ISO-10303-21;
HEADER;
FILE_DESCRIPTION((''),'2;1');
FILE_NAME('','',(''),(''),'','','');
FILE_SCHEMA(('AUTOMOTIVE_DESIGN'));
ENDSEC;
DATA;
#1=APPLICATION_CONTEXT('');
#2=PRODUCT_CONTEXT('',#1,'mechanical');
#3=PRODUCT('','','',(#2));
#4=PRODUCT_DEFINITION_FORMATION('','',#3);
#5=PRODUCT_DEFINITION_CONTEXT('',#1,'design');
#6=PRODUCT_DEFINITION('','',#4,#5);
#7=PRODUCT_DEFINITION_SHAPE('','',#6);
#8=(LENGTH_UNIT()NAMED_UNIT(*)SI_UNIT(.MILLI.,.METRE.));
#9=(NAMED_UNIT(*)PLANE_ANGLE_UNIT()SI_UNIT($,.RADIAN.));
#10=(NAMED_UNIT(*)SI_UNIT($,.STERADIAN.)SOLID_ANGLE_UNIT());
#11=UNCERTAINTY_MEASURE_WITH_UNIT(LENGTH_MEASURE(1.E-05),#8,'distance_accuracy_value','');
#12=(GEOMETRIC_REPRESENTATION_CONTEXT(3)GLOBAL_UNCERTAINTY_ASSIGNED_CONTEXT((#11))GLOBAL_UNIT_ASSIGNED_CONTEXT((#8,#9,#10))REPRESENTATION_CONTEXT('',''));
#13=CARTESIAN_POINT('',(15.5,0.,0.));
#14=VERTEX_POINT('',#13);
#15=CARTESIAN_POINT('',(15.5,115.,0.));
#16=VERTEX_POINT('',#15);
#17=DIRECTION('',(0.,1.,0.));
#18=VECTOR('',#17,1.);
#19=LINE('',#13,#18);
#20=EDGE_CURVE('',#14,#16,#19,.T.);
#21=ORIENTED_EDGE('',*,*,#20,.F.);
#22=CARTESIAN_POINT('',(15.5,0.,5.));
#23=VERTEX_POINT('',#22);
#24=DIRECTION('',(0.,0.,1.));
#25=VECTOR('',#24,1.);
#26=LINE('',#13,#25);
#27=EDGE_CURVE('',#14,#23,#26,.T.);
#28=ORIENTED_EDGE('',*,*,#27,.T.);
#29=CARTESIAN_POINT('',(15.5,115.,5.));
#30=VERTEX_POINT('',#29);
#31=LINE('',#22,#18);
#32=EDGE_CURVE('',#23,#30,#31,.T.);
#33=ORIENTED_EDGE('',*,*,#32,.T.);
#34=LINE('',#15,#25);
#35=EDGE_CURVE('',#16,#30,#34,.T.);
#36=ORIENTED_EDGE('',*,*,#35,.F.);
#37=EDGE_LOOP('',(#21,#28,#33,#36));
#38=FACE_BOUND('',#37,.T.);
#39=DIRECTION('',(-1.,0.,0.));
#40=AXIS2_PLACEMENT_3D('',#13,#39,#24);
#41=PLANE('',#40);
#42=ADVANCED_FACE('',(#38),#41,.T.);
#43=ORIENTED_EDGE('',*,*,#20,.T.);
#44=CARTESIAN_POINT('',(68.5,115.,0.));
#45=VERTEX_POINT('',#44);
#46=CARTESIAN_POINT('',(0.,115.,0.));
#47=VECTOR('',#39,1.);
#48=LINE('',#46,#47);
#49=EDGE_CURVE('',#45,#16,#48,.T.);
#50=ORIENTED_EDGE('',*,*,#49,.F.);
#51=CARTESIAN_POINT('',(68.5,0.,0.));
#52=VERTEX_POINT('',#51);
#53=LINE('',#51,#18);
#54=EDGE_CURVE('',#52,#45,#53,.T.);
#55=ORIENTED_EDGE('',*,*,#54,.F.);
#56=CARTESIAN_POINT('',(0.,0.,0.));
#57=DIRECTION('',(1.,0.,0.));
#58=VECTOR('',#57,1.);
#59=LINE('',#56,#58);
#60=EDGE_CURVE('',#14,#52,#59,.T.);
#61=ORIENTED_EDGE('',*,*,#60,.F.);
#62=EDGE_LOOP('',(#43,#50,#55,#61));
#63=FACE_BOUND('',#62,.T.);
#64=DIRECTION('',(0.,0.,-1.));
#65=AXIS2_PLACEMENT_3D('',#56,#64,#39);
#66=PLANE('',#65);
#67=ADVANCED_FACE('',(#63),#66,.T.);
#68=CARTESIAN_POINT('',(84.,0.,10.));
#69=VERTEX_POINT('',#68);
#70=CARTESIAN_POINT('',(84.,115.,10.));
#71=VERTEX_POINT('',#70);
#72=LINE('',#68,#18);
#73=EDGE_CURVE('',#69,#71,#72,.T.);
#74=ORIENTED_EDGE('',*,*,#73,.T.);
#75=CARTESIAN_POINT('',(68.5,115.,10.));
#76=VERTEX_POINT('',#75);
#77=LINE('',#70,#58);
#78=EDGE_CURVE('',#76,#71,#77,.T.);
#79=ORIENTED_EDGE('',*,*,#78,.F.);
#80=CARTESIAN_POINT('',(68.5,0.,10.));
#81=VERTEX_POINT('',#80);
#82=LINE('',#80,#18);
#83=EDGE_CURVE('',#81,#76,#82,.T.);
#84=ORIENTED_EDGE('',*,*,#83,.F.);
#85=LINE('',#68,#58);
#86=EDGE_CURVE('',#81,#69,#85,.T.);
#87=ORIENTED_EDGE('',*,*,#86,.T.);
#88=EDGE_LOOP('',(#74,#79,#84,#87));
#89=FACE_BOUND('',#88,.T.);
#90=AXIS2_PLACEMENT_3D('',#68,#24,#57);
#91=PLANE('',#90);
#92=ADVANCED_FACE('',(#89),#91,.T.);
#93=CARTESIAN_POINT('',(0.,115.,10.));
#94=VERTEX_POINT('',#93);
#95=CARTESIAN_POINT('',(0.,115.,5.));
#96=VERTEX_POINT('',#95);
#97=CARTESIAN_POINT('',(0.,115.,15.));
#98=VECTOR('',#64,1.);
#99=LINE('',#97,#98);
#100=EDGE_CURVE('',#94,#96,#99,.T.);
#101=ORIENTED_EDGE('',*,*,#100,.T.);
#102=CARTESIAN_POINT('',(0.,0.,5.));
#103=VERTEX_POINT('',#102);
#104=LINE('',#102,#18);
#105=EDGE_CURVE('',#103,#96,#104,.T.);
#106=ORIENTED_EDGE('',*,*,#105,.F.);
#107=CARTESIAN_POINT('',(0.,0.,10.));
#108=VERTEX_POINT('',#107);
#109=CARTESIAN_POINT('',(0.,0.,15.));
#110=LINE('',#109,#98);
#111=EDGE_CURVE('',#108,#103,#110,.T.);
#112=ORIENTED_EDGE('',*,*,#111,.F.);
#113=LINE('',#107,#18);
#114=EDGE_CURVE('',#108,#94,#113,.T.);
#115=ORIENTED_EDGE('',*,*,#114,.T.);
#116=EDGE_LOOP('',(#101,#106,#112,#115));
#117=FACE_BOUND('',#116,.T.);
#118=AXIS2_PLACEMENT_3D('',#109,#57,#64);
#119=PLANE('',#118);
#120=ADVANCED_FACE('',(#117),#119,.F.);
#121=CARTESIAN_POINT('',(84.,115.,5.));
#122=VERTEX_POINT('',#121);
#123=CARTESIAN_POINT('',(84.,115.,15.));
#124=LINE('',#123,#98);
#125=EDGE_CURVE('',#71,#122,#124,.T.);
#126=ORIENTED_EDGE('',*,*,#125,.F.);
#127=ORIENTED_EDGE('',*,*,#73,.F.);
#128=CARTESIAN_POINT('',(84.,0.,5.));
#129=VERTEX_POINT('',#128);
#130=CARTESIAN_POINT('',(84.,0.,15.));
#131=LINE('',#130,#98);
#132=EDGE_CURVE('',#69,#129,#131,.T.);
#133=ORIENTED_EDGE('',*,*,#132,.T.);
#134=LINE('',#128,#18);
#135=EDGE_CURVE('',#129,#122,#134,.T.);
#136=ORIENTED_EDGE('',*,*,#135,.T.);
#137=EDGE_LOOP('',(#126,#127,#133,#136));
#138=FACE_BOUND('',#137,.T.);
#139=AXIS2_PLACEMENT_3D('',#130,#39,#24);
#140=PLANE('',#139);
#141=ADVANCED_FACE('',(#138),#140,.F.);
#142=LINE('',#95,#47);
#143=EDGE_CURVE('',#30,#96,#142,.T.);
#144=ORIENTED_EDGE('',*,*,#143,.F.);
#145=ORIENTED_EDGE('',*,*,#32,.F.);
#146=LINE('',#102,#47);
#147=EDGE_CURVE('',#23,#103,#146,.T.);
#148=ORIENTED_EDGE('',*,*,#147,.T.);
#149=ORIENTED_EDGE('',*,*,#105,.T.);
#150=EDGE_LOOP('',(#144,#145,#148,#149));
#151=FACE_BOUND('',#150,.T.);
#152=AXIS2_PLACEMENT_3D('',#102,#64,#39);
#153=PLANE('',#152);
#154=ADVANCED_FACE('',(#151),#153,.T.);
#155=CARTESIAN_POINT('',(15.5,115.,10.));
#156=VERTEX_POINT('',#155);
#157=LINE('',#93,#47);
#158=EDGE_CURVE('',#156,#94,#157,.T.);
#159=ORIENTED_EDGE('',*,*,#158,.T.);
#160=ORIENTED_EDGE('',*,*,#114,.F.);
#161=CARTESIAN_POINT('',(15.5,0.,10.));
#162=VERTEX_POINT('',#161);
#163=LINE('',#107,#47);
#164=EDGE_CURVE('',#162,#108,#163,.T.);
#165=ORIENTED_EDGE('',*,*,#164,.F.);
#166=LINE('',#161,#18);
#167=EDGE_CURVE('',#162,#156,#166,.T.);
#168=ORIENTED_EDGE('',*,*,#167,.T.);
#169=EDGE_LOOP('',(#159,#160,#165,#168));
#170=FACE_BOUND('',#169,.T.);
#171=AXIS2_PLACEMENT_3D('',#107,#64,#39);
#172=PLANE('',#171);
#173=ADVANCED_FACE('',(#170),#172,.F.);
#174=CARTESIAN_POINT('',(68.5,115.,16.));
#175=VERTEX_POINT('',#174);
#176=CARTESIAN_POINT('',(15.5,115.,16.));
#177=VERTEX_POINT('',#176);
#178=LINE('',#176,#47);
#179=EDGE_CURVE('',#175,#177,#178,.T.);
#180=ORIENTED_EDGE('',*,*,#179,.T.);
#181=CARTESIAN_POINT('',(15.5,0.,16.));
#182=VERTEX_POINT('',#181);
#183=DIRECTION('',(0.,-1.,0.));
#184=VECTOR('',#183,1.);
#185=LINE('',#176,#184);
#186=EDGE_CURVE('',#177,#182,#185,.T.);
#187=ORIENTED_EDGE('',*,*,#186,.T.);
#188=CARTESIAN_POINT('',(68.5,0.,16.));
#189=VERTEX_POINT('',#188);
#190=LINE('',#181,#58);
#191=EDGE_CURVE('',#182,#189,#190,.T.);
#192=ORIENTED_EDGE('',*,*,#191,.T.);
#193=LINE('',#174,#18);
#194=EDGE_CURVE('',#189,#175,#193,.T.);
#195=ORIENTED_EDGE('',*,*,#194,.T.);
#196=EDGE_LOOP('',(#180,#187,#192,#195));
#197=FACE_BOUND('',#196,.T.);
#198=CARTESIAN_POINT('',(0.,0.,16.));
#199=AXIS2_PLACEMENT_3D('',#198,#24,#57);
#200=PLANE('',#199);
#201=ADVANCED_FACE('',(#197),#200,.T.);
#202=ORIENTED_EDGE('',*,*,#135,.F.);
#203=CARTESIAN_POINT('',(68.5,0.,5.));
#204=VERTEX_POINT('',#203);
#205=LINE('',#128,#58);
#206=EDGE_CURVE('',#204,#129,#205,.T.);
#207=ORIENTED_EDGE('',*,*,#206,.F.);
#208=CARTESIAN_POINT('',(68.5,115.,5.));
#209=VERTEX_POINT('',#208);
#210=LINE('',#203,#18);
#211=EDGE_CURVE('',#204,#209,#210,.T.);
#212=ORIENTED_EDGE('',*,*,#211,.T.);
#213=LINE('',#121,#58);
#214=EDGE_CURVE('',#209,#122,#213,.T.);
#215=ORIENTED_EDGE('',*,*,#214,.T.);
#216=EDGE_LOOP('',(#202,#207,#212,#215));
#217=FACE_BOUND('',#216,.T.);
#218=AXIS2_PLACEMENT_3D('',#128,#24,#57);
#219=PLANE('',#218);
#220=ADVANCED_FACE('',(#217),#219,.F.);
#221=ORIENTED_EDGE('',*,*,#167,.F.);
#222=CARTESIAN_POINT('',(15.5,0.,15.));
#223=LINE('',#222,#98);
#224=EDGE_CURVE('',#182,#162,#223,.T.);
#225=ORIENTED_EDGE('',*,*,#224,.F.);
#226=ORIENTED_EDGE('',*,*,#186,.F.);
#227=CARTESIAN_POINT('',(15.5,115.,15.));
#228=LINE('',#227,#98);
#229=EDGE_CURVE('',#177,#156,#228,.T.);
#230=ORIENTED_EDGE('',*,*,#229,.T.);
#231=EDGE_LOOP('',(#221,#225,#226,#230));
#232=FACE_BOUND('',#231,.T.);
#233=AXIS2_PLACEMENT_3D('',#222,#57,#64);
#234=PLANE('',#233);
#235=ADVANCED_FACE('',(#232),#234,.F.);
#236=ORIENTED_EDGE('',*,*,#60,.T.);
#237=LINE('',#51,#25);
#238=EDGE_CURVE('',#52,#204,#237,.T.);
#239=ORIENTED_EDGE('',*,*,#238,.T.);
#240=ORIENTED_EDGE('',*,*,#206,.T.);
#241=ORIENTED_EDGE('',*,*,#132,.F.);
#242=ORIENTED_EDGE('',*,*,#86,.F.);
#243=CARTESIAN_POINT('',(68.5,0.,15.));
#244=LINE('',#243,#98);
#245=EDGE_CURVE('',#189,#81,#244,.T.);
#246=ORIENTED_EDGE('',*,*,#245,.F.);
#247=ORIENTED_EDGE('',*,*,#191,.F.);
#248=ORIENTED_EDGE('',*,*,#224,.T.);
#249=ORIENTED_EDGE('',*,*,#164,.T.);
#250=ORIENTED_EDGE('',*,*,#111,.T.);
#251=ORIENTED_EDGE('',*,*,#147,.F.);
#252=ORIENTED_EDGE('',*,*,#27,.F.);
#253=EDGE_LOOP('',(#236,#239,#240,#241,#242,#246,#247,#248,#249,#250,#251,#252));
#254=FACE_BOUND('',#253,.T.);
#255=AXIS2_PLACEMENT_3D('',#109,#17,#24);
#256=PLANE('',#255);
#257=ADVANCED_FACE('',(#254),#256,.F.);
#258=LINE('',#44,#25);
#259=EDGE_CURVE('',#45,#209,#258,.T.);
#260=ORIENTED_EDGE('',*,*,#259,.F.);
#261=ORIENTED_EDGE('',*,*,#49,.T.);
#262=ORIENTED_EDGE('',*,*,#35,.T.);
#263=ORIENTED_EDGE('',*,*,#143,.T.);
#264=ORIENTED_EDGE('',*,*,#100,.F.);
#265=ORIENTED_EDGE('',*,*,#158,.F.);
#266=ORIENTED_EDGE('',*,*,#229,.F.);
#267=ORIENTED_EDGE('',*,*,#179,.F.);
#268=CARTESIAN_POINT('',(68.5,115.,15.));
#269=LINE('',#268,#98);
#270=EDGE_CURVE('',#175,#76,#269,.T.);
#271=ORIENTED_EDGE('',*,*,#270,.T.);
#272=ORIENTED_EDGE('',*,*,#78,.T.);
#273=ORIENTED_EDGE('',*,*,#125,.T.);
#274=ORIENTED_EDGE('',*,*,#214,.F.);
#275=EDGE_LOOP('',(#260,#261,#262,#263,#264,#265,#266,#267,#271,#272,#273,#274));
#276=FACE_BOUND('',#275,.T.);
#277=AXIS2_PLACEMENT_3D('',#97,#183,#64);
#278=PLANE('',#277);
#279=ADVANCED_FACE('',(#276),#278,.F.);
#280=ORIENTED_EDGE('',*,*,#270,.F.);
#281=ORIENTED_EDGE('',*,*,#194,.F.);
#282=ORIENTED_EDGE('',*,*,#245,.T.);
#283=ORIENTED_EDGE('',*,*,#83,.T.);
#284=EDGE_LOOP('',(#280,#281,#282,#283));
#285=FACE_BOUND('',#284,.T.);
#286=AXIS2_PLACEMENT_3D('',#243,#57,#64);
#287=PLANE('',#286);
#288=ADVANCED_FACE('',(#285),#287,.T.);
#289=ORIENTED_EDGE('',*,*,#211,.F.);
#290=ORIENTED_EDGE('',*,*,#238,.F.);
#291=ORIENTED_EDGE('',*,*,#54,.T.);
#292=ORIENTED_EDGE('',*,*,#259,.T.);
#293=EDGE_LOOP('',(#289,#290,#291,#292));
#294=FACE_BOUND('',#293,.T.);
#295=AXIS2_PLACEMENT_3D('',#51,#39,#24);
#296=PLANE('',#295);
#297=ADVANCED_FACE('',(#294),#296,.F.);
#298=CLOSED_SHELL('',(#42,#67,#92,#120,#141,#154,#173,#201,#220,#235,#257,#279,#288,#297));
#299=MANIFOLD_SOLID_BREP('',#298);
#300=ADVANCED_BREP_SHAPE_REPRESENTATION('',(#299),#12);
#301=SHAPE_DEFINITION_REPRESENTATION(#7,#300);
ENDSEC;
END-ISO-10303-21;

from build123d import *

# Parameters (mm, degrees)
SKETCH2_W               = 84
SKETCH2_H               = 115
BOSS_EXTRUDE1_DEPTH     = 15
SKETCH3_W               = 15.5
SKETCH3_H               = 5
CUT_EXTRUDE1_DEPTH      = 144.199162009
MIRROR2_COPY_1_SKETCH_W = 15.5
MIRROR2_COPY_1_SKETCH_H = 5
MIRROR2_COPY_1_DEPTH    = 144.199162009
MIRROR2_COPY_2_SKETCH_W = 15.5
MIRROR2_COPY_2_SKETCH_H = 5
MIRROR2_COPY_2_DEPTH    = 144.199162009
SKETCH4_W               = 53
SKETCH4_H               = 115
BOSS_EXTRUDE2_DEPTH     = 1


with BuildPart() as part:
    # Sketch2 → Boss-Extrude1 (new body)
    with BuildSketch(Plane.XY):
        with Locations((42, 57.5)):
            Rectangle(SKETCH2_W, SKETCH2_H)
    extrude(amount=BOSS_EXTRUDE1_DEPTH)

    # Sketch3 → Cut-Extrude1 (cut, through all)
    with BuildSketch(Plane(origin=(0, 115, 0), x_dir=(1, 0, 0), z_dir=(0, 1, 0))):
        with Locations((7.75, -12.5)):
            Rectangle(SKETCH3_W, SKETCH3_H)
    cut_extrude1 = extrude(amount=-CUT_EXTRUDE1_DEPTH, mode=Mode.SUBTRACT)

    # Mirror1: Cut-Extrude1 across plane
    add(cut_extrude1.mirror(Plane.XY.offset(7.5)), mode=Mode.SUBTRACT)

    # Mirror2 copy 1 sketch → Mirror2 copy 1 (cut, through all)
    with BuildSketch(Plane(origin=(84, 115, 15), x_dir=(-1, 0, 0), z_dir=(0, 1, 0))):
        with Locations((7.75, -12.5)):
            Rectangle(MIRROR2_COPY_1_SKETCH_W, MIRROR2_COPY_1_SKETCH_H)
    extrude(amount=-MIRROR2_COPY_1_DEPTH, mode=Mode.SUBTRACT)

    # Mirror2 copy 2 sketch → Mirror2 copy 2 (cut, through all)
    with BuildSketch(Plane(origin=(84, 115, 0), x_dir=(-1, 0, 0), z_dir=(0, 1, 0))):
        with Locations((7.75, 12.5)):
            Rectangle(MIRROR2_COPY_2_SKETCH_W, MIRROR2_COPY_2_SKETCH_H)
    extrude(amount=-MIRROR2_COPY_2_DEPTH, mode=Mode.SUBTRACT)

    # Sketch4 → Boss-Extrude2 (add)
    with BuildSketch(Plane.XY.offset(15)):
        with Locations((42, 57.5)):
            Rectangle(SKETCH4_W, SKETCH4_H)
    extrude(amount=BOSS_EXTRUDE2_DEPTH)


solid = part.part
